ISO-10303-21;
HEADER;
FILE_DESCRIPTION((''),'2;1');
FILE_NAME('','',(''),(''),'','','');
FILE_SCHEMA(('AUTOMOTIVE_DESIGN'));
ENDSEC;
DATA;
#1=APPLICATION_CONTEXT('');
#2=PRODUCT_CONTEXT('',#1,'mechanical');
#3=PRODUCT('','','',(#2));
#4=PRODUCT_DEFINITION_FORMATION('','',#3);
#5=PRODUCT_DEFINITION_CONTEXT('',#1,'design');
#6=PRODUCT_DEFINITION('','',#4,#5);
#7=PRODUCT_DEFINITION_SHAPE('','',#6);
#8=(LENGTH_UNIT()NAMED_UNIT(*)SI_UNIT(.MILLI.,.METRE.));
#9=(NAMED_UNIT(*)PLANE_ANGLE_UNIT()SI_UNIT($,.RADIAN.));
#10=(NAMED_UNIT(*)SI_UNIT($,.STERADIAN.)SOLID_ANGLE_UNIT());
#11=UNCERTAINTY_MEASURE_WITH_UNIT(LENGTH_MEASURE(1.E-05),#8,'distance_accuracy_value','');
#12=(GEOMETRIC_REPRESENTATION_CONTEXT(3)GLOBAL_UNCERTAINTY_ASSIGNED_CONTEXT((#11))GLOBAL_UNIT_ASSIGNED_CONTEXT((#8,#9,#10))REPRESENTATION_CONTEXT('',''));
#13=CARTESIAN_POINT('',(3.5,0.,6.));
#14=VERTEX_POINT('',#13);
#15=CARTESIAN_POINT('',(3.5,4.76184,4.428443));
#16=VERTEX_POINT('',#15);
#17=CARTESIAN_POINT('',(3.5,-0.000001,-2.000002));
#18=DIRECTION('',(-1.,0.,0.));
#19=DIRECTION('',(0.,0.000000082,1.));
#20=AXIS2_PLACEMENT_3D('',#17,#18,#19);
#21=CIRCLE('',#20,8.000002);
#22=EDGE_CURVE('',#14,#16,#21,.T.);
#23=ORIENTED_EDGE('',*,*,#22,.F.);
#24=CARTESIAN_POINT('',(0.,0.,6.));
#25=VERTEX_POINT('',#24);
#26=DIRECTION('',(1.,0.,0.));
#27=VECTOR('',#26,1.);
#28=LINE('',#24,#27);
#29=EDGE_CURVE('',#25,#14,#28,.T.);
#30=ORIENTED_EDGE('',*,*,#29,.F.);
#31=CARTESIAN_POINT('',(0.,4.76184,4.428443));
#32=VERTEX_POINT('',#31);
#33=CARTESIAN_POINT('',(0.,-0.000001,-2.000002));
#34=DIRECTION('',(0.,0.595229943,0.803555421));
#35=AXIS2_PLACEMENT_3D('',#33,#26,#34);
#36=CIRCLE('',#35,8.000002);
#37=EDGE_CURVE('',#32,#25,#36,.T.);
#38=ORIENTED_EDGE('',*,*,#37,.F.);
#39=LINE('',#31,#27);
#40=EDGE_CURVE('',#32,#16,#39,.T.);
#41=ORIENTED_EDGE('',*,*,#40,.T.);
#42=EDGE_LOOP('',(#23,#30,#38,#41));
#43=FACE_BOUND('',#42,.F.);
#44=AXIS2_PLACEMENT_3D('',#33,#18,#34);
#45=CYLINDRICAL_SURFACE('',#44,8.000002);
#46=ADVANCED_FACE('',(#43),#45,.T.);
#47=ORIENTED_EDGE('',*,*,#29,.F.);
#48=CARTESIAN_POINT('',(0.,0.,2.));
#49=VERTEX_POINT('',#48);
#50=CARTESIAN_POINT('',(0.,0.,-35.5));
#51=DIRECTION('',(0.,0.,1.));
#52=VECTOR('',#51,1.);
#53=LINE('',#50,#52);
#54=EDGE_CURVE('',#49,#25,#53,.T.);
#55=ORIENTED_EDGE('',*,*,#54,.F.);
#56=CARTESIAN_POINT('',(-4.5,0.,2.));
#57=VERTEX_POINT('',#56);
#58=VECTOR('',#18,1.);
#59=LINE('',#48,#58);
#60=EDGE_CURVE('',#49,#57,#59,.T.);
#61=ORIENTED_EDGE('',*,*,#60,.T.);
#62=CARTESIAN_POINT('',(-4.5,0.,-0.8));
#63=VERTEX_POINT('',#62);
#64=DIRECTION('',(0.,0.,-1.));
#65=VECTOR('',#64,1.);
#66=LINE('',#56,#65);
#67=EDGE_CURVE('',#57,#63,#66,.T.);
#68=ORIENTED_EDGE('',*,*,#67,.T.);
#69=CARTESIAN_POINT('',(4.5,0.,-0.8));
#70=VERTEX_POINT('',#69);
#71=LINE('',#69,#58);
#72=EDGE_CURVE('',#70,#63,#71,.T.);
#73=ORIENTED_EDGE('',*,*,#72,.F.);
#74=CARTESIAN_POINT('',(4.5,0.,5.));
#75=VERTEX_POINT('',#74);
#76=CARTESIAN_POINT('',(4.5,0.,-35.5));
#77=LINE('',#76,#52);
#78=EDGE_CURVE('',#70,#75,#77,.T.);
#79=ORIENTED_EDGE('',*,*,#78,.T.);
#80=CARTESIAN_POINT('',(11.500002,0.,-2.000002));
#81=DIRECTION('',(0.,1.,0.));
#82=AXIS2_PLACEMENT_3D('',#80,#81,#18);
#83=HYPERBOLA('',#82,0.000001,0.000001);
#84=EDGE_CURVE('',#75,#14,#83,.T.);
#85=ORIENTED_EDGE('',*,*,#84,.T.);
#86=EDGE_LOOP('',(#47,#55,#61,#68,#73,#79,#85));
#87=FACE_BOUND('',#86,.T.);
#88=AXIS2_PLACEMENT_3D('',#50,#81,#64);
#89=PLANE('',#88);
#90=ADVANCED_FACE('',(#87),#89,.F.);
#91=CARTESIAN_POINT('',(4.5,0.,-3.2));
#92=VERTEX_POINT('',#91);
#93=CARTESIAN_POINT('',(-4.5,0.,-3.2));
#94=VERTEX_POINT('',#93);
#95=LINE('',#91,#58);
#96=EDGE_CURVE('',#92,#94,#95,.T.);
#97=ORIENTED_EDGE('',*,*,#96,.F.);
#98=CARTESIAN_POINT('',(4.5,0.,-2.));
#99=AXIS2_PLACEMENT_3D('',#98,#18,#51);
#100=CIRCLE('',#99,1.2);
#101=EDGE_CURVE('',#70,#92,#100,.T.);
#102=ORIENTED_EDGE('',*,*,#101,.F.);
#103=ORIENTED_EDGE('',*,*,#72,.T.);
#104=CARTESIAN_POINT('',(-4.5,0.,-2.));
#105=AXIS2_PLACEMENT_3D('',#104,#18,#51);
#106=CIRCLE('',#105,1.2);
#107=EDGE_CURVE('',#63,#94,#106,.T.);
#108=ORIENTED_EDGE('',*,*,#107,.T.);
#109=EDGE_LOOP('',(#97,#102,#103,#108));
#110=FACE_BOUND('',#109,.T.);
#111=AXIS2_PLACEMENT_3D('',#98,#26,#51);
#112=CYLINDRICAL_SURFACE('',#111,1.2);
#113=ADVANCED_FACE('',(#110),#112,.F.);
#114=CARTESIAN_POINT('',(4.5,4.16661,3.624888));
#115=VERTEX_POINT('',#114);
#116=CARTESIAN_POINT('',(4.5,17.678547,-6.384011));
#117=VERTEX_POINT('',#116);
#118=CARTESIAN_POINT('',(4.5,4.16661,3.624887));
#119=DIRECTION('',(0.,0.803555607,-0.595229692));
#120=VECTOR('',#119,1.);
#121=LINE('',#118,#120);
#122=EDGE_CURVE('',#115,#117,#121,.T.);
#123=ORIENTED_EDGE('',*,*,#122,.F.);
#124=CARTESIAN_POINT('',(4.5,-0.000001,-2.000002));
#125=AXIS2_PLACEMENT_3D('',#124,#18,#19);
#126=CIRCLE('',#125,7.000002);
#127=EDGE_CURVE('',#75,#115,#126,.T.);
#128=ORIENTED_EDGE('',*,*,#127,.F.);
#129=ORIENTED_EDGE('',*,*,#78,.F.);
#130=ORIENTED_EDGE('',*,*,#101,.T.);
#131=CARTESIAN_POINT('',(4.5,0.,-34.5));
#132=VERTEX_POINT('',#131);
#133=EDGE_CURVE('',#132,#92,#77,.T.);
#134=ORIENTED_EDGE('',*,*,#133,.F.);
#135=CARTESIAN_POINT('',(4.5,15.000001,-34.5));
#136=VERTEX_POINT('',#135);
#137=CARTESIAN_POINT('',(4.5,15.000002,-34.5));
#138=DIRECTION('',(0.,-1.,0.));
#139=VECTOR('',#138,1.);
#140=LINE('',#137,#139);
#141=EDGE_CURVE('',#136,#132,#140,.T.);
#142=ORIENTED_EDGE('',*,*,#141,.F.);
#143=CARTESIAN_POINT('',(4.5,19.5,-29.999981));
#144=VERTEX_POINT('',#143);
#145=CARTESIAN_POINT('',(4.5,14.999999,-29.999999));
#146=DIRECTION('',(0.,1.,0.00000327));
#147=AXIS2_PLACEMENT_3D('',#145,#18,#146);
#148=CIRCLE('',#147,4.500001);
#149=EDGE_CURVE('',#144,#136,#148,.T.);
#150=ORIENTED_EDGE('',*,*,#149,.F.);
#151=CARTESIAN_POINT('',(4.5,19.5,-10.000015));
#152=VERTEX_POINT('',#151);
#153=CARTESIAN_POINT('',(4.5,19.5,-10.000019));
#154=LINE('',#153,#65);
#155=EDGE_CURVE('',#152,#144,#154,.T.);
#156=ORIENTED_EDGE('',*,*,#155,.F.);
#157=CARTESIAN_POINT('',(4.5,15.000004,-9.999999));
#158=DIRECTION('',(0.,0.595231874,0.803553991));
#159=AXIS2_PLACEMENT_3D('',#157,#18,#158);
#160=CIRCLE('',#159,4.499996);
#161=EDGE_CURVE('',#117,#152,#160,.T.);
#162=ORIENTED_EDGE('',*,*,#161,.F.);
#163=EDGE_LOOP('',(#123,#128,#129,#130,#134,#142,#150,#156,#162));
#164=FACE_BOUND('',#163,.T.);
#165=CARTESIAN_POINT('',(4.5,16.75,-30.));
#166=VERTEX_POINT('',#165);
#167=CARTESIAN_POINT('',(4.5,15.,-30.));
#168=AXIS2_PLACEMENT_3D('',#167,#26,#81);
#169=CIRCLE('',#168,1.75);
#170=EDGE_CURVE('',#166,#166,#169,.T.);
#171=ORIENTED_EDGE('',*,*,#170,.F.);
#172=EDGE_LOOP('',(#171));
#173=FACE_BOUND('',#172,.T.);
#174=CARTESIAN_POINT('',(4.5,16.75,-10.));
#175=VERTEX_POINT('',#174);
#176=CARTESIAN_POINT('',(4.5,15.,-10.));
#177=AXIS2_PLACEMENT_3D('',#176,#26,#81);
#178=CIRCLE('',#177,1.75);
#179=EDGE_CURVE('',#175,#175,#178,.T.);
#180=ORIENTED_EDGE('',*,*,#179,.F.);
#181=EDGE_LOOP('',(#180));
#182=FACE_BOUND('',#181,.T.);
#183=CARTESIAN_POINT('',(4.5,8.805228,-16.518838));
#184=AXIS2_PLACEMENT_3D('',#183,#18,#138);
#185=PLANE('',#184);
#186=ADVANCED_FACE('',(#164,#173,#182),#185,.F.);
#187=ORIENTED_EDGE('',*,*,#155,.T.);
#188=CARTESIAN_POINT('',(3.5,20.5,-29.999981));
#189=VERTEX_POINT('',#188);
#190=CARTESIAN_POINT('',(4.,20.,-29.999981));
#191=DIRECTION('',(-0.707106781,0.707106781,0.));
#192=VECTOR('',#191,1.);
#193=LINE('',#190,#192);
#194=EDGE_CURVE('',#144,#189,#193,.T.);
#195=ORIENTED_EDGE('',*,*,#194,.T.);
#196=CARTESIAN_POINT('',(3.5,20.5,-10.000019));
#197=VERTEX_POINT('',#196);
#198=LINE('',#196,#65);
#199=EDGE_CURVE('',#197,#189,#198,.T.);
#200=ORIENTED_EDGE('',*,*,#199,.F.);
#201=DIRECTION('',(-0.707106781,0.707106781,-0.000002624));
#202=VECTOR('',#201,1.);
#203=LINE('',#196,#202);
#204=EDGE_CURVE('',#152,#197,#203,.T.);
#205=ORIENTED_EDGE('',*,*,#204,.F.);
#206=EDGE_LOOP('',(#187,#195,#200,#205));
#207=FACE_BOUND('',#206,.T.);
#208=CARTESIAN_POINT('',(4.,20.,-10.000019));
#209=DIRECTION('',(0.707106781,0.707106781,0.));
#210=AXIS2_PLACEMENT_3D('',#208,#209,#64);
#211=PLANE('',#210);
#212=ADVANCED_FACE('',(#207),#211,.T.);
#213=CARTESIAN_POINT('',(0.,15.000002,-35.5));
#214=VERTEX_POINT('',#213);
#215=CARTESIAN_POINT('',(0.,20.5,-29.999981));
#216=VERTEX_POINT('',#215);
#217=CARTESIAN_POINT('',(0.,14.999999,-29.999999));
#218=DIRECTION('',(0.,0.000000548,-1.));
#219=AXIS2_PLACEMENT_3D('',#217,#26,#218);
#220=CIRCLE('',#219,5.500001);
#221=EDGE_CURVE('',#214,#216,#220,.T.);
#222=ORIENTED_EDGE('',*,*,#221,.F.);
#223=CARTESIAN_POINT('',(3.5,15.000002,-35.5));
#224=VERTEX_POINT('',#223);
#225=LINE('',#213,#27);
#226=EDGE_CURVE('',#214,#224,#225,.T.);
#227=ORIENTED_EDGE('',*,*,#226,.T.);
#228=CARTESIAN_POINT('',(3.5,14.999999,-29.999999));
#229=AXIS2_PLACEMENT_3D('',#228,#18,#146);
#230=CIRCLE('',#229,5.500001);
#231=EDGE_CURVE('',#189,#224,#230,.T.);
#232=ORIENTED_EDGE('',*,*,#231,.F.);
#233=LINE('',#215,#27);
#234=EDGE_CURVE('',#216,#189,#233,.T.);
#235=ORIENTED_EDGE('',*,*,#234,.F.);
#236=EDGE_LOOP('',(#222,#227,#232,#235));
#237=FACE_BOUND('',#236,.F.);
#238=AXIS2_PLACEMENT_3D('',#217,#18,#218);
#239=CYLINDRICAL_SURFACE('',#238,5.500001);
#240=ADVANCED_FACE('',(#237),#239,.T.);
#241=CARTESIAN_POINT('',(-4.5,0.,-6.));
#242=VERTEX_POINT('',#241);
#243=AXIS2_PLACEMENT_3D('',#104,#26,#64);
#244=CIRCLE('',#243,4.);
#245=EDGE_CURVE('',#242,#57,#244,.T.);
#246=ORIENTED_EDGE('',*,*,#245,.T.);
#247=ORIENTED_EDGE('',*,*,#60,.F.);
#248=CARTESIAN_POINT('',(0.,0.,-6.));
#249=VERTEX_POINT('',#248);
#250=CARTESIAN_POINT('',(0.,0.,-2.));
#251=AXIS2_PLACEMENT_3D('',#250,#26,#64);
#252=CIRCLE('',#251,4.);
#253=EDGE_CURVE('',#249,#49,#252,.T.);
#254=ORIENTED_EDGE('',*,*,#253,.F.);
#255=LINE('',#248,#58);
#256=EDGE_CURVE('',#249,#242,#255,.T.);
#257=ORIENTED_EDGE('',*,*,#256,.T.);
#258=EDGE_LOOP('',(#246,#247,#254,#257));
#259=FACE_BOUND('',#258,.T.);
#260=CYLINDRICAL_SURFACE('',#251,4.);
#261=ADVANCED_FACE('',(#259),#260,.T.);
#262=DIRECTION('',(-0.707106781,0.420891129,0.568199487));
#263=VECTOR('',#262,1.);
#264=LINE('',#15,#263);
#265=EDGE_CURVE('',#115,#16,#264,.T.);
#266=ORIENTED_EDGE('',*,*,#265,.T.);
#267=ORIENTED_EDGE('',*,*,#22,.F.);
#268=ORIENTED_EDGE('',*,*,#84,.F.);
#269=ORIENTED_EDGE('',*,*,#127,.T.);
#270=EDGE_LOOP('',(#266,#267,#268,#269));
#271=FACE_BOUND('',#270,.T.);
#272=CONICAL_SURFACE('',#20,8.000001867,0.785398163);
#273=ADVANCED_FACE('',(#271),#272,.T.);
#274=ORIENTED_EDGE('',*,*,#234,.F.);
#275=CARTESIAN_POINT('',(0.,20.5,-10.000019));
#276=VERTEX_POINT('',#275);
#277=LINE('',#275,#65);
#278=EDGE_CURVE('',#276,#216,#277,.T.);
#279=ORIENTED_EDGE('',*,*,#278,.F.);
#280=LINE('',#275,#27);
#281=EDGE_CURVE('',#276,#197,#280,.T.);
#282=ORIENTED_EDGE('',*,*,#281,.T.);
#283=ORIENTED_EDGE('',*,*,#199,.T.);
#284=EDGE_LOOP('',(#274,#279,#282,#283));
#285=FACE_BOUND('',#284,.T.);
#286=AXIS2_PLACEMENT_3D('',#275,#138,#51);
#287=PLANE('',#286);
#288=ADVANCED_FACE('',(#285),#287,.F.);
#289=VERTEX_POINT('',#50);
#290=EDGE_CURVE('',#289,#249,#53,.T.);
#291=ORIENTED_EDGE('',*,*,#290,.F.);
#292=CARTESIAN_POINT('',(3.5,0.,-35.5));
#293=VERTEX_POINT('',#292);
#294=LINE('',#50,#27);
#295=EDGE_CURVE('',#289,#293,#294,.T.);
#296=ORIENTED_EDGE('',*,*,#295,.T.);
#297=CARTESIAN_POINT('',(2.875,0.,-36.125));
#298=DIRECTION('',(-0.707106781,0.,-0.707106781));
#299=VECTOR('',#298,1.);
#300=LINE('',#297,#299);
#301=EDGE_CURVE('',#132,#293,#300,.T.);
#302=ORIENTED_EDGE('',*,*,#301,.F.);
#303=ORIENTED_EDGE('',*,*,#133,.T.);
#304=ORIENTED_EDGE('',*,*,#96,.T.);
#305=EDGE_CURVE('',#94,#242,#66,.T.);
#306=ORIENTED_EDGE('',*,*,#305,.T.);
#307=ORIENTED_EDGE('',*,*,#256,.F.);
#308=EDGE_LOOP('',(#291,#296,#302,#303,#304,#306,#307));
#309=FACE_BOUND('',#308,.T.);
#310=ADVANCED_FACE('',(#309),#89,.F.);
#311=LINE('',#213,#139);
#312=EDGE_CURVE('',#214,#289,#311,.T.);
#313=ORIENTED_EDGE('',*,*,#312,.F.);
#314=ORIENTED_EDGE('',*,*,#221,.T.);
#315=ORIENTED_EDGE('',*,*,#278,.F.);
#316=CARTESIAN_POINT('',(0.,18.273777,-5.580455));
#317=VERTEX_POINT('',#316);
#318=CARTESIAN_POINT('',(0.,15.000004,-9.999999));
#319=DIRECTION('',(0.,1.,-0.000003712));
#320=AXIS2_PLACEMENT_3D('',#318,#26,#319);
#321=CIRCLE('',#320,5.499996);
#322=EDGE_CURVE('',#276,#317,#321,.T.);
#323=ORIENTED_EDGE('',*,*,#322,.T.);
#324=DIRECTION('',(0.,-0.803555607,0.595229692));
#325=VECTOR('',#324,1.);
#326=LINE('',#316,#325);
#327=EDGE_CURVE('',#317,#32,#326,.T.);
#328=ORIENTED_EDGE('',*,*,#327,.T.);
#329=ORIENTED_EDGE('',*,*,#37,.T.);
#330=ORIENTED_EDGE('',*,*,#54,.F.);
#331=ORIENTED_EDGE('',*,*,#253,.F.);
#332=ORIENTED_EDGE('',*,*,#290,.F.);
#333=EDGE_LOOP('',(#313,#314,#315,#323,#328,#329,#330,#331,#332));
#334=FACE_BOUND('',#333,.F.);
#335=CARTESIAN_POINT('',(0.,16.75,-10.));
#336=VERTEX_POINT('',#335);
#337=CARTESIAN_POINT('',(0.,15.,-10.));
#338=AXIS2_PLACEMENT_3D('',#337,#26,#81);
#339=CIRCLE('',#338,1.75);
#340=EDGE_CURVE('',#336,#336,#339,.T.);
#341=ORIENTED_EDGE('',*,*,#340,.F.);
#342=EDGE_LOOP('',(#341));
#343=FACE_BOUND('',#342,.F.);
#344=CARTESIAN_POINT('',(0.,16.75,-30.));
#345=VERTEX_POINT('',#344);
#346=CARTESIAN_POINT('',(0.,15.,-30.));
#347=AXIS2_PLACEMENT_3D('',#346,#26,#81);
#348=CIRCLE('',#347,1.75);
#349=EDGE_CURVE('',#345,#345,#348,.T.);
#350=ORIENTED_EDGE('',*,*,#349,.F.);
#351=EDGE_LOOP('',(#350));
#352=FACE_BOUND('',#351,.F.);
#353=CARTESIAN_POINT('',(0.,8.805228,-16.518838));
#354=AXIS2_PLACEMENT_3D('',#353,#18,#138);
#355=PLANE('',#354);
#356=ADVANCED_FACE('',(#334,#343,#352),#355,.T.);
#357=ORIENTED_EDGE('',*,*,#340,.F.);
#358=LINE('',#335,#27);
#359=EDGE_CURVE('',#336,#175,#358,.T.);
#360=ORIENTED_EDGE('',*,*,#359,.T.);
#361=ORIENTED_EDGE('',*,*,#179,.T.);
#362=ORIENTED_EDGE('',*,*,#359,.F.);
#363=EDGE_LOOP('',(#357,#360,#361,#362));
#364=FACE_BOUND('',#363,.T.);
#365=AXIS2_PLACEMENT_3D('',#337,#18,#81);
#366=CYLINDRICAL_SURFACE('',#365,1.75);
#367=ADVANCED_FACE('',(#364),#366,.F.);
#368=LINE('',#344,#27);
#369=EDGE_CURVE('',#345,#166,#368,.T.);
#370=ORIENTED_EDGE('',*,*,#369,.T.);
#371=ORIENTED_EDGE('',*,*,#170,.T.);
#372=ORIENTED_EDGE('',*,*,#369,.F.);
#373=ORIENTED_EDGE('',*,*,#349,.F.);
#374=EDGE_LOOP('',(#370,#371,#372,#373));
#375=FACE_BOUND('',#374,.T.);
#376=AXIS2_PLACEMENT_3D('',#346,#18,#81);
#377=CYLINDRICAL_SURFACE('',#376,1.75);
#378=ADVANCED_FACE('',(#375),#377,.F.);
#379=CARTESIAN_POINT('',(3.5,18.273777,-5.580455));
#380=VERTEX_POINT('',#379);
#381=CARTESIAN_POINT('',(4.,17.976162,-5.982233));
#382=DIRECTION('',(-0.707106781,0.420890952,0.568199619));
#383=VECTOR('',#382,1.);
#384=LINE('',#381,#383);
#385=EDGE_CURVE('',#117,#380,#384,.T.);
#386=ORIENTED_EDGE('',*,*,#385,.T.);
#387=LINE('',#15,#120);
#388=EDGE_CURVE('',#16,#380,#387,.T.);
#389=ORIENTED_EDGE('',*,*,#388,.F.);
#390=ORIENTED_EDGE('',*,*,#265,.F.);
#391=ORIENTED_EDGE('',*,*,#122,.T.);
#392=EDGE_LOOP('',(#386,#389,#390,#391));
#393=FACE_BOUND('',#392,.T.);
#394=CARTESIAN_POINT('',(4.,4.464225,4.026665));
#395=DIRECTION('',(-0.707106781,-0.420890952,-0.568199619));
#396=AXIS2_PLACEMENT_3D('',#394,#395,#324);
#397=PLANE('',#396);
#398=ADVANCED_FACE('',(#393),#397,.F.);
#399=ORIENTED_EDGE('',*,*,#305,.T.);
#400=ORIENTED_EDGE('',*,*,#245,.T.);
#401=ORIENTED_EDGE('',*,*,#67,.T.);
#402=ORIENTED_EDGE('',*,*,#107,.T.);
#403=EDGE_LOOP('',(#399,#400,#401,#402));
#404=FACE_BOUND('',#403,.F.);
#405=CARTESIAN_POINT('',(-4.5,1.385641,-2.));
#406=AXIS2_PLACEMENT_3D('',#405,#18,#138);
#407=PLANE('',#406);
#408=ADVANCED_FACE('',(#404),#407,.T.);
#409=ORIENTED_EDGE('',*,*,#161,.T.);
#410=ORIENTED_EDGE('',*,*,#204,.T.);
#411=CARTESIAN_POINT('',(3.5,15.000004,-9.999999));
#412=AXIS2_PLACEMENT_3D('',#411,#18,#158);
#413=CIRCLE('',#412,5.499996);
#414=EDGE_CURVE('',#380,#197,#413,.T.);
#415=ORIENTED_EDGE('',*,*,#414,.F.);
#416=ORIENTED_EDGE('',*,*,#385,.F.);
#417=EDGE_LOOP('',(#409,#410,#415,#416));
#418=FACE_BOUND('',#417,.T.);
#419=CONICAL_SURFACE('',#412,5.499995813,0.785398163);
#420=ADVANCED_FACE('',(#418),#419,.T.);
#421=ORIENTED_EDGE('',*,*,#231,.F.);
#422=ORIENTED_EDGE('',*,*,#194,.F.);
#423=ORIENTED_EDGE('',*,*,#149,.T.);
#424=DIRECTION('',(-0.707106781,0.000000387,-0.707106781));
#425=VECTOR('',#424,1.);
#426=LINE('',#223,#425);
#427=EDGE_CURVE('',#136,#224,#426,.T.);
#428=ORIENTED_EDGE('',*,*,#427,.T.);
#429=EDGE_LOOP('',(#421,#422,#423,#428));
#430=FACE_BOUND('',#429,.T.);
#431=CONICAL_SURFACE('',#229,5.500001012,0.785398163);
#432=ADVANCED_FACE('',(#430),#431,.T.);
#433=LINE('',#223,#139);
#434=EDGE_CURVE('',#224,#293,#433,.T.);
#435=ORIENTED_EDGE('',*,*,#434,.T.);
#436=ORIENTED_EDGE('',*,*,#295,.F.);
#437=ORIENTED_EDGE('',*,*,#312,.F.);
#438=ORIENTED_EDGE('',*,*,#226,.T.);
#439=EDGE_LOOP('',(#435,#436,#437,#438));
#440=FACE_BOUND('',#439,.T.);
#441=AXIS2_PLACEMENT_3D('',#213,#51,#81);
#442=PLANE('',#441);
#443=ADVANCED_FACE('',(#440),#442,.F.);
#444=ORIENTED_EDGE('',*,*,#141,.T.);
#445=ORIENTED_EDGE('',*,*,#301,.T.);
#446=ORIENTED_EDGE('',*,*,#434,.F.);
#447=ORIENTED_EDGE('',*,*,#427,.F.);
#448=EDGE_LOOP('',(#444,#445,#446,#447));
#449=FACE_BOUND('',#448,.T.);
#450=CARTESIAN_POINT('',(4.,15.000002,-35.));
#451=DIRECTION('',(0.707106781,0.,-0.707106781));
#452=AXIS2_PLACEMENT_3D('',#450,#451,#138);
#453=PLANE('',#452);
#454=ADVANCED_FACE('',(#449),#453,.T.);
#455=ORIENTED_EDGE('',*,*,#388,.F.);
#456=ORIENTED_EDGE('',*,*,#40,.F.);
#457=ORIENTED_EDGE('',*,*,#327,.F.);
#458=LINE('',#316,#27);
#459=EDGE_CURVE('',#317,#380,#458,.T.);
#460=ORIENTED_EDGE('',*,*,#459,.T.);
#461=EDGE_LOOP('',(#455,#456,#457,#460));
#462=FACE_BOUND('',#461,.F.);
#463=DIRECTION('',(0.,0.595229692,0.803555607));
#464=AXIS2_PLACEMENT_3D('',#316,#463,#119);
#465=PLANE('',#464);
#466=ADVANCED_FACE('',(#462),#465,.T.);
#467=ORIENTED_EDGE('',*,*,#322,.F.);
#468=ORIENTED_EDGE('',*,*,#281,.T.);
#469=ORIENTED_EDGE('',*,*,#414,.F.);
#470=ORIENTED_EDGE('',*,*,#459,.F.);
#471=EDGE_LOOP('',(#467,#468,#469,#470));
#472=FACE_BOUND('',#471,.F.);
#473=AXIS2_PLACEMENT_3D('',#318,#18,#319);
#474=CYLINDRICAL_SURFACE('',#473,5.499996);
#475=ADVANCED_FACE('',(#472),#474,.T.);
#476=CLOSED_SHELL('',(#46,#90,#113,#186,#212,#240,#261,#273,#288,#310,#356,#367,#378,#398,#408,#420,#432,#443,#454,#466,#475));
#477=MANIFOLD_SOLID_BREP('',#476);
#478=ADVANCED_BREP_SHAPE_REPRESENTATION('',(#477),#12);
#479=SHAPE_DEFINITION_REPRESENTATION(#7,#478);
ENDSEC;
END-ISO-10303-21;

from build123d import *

# Parameters (mm, degrees)
SKETCH037_R     = 1.75
PAD011_DEPTH    = 4.5
PAD012_DEPTH    = 4.5
POCKET012_DEPTH = 9
CHAMFER006_SIZE = 1


with BuildPart() as body017:
    # Sketch037 → Pad011 (new body)
    with BuildSketch(Plane.YZ):
        with BuildLine():
            ThreePointArc((4.76184, 4.428443), (2.507235, 5.596958), (0, 6))
            Line((0, -35.5), (0, 6))
            Line((15.000002, -35.5), (0, -35.5))
            ThreePointArc((15.000002, -35.5), (18.889094, -33.88908), (20.5, -29.999981))
            Line((20.5, -10.000019), (20.5, -29.999981))
            ThreePointArc((20.5, -10.000019), (19.912019, -7.525718), (18.273777, -5.580455))
            Line((18.273777, -5.580455), (4.76184, 4.428443))
        make_face()
        with Locations((15, -10)):
            Circle(SKETCH037_R, mode=Mode.SUBTRACT)
        with Locations((15, -30)):
            Circle(SKETCH037_R, mode=Mode.SUBTRACT)
    extrude(amount=-PAD011_DEPTH)

    # Sketch038 (on Pad) → Pad012 (join)
    with BuildSketch(Plane.YZ):
        with BuildLine():
            ThreePointArc((0, -6), (4, -2), (0, 2))
            Line((0, 2), (0, -6))
        make_face()
    extrude(amount=PAD012_DEPTH)

    # Sketch039 (on Face5 of Pad012) → Pocket012 (cut)
    with BuildSketch(Plane(origin=(-4.5, 0, 0), x_dir=(0, 1, 0), z_dir=(-1, 0, 0))):
        with BuildLine():
            ThreePointArc((0, 0.8), (1.2, 2), (0, 3.2))
            Line((0, 3.2), (0, 0.8))
        make_face()
    extrude(amount=-POCKET012_DEPTH, mode=Mode.SUBTRACT)

    # Chamfer006
    chamfer006_edges = [body017.edges().sort_by_distance(p)[0] for p in [
        (-4.5, 7.500001, -35.5),
    ]]
    chamfer(chamfer006_edges, length=CHAMFER006_SIZE)


with BuildPart() as part_mirroring011:
    # Part__Mirroring011: instance of Body017
    add(body017.part.mirror(Plane(origin=(0, 0, 0), x_dir=(0, -1, 0), z_dir=(1, 0, 0))))


solid = part_mirroring011.part
